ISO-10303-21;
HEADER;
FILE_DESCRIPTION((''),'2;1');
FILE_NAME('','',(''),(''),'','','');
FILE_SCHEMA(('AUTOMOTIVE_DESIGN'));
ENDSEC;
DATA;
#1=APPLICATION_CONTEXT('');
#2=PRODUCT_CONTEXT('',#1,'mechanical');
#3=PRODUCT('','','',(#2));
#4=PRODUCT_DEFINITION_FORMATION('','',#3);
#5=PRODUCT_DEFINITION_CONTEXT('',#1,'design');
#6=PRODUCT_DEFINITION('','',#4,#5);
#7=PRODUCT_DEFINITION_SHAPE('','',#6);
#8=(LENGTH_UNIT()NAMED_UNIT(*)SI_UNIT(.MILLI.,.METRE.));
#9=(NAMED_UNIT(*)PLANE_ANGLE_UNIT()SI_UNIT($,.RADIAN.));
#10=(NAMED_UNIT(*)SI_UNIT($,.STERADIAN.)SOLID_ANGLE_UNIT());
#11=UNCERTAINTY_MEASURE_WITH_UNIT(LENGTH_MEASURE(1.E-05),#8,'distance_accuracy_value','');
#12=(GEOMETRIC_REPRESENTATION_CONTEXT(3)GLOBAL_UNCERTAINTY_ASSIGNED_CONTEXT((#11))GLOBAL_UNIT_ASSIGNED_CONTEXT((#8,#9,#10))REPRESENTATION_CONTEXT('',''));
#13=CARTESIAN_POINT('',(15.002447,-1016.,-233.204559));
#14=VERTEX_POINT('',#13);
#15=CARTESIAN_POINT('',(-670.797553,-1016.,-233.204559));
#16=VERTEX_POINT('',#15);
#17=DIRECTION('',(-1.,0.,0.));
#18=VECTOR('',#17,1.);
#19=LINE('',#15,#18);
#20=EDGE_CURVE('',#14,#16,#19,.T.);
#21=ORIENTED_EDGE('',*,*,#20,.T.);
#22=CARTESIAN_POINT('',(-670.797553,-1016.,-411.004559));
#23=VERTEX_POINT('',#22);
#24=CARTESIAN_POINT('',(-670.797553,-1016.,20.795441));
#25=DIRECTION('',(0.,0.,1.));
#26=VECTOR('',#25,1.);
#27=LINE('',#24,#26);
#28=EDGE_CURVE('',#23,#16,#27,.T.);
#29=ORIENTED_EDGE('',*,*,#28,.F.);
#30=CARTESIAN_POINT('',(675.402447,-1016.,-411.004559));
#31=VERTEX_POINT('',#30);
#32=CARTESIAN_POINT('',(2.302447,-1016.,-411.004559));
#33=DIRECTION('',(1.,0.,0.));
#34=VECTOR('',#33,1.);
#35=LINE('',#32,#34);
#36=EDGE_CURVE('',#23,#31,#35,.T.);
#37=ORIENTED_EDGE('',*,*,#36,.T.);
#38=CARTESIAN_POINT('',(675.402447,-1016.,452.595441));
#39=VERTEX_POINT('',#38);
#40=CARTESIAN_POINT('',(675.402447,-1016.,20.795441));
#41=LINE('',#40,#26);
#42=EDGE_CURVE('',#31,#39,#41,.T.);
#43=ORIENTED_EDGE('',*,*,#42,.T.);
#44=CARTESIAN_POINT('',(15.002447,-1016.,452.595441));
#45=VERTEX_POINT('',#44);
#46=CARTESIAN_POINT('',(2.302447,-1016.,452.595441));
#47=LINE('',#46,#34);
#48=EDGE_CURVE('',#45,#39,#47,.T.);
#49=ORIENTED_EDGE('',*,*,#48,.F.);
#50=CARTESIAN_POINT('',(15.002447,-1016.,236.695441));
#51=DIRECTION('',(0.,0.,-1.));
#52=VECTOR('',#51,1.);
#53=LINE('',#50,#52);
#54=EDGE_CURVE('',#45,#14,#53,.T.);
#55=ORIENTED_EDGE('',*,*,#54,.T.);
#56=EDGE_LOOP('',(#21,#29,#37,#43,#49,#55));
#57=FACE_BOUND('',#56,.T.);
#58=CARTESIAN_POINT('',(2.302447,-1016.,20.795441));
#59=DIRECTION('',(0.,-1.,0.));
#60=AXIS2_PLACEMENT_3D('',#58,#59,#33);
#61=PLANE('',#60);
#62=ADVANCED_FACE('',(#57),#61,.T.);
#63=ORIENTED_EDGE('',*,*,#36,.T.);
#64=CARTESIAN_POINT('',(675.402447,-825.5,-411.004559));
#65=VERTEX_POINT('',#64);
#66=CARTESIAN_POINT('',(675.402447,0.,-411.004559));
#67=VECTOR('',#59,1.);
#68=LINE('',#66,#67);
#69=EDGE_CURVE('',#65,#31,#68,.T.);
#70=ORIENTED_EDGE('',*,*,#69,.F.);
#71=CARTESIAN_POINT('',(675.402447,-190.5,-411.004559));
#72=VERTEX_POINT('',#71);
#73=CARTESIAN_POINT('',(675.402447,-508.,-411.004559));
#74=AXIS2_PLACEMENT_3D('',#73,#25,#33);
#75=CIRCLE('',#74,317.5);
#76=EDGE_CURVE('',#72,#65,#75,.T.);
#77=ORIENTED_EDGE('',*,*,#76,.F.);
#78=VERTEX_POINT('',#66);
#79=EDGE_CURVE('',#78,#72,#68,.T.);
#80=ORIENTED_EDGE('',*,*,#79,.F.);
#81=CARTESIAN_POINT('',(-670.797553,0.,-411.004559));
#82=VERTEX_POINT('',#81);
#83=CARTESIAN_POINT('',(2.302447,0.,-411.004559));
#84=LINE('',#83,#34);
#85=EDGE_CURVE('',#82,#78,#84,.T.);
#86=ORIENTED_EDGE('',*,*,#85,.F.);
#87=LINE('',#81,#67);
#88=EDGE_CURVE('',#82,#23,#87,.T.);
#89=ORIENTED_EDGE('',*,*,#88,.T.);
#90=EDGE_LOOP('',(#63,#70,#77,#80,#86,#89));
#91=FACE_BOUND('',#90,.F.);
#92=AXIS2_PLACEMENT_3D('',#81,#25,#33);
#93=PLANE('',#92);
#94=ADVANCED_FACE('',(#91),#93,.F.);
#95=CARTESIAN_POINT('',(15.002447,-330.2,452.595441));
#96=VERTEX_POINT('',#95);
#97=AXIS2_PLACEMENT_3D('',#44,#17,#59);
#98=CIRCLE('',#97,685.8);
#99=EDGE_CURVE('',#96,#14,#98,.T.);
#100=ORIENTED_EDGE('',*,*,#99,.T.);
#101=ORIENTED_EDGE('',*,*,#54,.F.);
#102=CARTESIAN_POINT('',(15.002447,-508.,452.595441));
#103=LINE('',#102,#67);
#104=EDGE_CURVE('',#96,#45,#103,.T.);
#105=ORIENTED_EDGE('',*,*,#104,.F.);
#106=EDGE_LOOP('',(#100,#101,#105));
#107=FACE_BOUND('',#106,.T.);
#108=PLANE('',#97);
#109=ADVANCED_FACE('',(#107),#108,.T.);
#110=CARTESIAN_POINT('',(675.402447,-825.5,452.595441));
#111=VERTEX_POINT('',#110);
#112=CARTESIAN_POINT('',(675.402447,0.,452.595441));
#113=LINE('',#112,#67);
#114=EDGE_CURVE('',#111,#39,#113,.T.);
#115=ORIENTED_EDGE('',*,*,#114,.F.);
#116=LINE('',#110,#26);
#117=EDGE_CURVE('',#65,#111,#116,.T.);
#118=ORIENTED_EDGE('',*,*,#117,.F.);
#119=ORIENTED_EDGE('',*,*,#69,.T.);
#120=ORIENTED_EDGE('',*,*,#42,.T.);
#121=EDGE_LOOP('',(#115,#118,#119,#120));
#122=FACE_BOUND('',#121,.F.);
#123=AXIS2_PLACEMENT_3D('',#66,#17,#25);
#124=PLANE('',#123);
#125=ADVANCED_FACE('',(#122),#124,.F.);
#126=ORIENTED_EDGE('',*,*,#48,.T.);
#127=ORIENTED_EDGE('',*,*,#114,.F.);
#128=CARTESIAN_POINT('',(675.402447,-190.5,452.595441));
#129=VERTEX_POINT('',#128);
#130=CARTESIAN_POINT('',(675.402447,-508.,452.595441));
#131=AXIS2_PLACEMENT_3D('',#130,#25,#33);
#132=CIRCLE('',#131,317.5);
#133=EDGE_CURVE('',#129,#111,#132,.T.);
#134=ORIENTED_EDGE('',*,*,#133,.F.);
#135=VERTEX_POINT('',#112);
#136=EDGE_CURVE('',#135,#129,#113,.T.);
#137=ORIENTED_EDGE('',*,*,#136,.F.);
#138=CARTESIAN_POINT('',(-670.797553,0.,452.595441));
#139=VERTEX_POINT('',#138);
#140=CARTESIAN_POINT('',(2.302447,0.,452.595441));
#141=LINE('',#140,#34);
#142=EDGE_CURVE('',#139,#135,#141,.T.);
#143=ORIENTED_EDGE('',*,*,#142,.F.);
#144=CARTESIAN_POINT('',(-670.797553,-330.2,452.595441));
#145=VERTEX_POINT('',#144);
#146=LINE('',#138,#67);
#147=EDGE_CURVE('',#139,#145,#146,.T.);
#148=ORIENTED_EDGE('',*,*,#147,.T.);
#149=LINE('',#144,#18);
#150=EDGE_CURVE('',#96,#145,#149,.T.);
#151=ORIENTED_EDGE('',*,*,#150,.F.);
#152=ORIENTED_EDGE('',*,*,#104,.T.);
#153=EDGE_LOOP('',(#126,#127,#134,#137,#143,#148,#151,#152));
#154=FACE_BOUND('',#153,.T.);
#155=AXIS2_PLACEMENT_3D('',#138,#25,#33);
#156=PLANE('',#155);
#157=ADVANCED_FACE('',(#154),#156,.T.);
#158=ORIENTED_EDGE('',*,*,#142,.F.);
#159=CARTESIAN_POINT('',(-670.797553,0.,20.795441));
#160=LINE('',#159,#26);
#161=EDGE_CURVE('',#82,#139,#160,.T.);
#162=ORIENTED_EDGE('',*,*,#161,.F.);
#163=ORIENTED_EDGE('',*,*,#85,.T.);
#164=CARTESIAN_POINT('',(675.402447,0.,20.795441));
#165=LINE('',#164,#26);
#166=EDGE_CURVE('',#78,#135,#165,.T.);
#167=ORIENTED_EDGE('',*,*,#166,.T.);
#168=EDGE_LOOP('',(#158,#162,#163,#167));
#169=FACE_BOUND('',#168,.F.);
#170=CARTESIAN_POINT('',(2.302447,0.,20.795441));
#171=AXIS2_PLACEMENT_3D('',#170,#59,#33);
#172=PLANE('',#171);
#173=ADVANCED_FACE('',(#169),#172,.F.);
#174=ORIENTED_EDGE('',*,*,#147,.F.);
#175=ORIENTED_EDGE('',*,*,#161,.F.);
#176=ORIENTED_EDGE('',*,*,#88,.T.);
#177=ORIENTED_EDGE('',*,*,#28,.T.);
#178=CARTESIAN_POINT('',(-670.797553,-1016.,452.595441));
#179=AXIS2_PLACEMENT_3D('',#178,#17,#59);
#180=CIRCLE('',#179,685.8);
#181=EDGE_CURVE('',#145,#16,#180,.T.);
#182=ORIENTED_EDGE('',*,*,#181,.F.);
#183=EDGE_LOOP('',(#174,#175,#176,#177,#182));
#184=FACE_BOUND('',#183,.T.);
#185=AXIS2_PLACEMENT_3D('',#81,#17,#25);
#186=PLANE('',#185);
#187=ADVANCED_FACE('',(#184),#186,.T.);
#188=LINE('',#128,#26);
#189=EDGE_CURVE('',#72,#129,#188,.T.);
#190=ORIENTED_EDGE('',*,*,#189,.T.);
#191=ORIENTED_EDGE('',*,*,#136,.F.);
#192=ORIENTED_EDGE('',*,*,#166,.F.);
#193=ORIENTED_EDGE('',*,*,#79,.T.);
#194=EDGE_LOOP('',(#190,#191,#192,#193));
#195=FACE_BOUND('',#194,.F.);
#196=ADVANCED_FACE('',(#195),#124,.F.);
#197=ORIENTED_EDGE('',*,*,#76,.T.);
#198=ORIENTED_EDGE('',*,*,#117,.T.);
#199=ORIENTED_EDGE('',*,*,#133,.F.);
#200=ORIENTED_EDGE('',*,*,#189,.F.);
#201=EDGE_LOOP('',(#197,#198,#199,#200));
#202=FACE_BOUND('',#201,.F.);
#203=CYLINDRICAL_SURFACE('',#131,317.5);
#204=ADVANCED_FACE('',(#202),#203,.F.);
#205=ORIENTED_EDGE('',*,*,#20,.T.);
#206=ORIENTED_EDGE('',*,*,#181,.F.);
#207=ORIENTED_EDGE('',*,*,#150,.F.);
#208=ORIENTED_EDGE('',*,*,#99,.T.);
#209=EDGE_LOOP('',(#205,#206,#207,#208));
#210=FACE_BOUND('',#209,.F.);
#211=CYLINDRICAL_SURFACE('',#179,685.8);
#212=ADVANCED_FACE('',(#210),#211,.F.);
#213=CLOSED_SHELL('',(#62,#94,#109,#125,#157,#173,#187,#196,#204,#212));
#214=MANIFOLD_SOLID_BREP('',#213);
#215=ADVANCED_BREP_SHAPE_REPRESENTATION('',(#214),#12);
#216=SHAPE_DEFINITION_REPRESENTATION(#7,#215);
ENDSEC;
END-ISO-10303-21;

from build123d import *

# Parameters (mm, degrees)
F0_W     = 1346.2
F0_H     = 863.6
F1_DEPTH = 1016
F2_R     = 317.5
F3_DEPTH = 863.6
F4_R     = 685.8
F5_DEPTH = 685.8


with BuildPart() as f1:
    # F0 (on Front) → F1 (new body)
    with BuildSketch(Plane.XZ):
        with Locations((2.302447, 20.795441)):
            Rectangle(F0_W, F0_H)
    extrude(amount=F1_DEPTH)

    # F2 (on face) → F3 (cut)
    with BuildSketch(Plane.XY.offset(452.595441)):
        with Locations((675.402447, -508)):
            Circle(F2_R)
    extrude(amount=-F3_DEPTH, mode=Mode.SUBTRACT)

    # F4 (on face) → F5 (cut)
    with BuildSketch(Plane(origin=(-670.797553, 0, 0), x_dir=(0, -1, 0), z_dir=(-1, 0, 0))):
        with Locations((1016, 452.595441)):
            Circle(F4_R)
    extrude(amount=-F5_DEPTH, mode=Mode.SUBTRACT)


solid = f1.part
